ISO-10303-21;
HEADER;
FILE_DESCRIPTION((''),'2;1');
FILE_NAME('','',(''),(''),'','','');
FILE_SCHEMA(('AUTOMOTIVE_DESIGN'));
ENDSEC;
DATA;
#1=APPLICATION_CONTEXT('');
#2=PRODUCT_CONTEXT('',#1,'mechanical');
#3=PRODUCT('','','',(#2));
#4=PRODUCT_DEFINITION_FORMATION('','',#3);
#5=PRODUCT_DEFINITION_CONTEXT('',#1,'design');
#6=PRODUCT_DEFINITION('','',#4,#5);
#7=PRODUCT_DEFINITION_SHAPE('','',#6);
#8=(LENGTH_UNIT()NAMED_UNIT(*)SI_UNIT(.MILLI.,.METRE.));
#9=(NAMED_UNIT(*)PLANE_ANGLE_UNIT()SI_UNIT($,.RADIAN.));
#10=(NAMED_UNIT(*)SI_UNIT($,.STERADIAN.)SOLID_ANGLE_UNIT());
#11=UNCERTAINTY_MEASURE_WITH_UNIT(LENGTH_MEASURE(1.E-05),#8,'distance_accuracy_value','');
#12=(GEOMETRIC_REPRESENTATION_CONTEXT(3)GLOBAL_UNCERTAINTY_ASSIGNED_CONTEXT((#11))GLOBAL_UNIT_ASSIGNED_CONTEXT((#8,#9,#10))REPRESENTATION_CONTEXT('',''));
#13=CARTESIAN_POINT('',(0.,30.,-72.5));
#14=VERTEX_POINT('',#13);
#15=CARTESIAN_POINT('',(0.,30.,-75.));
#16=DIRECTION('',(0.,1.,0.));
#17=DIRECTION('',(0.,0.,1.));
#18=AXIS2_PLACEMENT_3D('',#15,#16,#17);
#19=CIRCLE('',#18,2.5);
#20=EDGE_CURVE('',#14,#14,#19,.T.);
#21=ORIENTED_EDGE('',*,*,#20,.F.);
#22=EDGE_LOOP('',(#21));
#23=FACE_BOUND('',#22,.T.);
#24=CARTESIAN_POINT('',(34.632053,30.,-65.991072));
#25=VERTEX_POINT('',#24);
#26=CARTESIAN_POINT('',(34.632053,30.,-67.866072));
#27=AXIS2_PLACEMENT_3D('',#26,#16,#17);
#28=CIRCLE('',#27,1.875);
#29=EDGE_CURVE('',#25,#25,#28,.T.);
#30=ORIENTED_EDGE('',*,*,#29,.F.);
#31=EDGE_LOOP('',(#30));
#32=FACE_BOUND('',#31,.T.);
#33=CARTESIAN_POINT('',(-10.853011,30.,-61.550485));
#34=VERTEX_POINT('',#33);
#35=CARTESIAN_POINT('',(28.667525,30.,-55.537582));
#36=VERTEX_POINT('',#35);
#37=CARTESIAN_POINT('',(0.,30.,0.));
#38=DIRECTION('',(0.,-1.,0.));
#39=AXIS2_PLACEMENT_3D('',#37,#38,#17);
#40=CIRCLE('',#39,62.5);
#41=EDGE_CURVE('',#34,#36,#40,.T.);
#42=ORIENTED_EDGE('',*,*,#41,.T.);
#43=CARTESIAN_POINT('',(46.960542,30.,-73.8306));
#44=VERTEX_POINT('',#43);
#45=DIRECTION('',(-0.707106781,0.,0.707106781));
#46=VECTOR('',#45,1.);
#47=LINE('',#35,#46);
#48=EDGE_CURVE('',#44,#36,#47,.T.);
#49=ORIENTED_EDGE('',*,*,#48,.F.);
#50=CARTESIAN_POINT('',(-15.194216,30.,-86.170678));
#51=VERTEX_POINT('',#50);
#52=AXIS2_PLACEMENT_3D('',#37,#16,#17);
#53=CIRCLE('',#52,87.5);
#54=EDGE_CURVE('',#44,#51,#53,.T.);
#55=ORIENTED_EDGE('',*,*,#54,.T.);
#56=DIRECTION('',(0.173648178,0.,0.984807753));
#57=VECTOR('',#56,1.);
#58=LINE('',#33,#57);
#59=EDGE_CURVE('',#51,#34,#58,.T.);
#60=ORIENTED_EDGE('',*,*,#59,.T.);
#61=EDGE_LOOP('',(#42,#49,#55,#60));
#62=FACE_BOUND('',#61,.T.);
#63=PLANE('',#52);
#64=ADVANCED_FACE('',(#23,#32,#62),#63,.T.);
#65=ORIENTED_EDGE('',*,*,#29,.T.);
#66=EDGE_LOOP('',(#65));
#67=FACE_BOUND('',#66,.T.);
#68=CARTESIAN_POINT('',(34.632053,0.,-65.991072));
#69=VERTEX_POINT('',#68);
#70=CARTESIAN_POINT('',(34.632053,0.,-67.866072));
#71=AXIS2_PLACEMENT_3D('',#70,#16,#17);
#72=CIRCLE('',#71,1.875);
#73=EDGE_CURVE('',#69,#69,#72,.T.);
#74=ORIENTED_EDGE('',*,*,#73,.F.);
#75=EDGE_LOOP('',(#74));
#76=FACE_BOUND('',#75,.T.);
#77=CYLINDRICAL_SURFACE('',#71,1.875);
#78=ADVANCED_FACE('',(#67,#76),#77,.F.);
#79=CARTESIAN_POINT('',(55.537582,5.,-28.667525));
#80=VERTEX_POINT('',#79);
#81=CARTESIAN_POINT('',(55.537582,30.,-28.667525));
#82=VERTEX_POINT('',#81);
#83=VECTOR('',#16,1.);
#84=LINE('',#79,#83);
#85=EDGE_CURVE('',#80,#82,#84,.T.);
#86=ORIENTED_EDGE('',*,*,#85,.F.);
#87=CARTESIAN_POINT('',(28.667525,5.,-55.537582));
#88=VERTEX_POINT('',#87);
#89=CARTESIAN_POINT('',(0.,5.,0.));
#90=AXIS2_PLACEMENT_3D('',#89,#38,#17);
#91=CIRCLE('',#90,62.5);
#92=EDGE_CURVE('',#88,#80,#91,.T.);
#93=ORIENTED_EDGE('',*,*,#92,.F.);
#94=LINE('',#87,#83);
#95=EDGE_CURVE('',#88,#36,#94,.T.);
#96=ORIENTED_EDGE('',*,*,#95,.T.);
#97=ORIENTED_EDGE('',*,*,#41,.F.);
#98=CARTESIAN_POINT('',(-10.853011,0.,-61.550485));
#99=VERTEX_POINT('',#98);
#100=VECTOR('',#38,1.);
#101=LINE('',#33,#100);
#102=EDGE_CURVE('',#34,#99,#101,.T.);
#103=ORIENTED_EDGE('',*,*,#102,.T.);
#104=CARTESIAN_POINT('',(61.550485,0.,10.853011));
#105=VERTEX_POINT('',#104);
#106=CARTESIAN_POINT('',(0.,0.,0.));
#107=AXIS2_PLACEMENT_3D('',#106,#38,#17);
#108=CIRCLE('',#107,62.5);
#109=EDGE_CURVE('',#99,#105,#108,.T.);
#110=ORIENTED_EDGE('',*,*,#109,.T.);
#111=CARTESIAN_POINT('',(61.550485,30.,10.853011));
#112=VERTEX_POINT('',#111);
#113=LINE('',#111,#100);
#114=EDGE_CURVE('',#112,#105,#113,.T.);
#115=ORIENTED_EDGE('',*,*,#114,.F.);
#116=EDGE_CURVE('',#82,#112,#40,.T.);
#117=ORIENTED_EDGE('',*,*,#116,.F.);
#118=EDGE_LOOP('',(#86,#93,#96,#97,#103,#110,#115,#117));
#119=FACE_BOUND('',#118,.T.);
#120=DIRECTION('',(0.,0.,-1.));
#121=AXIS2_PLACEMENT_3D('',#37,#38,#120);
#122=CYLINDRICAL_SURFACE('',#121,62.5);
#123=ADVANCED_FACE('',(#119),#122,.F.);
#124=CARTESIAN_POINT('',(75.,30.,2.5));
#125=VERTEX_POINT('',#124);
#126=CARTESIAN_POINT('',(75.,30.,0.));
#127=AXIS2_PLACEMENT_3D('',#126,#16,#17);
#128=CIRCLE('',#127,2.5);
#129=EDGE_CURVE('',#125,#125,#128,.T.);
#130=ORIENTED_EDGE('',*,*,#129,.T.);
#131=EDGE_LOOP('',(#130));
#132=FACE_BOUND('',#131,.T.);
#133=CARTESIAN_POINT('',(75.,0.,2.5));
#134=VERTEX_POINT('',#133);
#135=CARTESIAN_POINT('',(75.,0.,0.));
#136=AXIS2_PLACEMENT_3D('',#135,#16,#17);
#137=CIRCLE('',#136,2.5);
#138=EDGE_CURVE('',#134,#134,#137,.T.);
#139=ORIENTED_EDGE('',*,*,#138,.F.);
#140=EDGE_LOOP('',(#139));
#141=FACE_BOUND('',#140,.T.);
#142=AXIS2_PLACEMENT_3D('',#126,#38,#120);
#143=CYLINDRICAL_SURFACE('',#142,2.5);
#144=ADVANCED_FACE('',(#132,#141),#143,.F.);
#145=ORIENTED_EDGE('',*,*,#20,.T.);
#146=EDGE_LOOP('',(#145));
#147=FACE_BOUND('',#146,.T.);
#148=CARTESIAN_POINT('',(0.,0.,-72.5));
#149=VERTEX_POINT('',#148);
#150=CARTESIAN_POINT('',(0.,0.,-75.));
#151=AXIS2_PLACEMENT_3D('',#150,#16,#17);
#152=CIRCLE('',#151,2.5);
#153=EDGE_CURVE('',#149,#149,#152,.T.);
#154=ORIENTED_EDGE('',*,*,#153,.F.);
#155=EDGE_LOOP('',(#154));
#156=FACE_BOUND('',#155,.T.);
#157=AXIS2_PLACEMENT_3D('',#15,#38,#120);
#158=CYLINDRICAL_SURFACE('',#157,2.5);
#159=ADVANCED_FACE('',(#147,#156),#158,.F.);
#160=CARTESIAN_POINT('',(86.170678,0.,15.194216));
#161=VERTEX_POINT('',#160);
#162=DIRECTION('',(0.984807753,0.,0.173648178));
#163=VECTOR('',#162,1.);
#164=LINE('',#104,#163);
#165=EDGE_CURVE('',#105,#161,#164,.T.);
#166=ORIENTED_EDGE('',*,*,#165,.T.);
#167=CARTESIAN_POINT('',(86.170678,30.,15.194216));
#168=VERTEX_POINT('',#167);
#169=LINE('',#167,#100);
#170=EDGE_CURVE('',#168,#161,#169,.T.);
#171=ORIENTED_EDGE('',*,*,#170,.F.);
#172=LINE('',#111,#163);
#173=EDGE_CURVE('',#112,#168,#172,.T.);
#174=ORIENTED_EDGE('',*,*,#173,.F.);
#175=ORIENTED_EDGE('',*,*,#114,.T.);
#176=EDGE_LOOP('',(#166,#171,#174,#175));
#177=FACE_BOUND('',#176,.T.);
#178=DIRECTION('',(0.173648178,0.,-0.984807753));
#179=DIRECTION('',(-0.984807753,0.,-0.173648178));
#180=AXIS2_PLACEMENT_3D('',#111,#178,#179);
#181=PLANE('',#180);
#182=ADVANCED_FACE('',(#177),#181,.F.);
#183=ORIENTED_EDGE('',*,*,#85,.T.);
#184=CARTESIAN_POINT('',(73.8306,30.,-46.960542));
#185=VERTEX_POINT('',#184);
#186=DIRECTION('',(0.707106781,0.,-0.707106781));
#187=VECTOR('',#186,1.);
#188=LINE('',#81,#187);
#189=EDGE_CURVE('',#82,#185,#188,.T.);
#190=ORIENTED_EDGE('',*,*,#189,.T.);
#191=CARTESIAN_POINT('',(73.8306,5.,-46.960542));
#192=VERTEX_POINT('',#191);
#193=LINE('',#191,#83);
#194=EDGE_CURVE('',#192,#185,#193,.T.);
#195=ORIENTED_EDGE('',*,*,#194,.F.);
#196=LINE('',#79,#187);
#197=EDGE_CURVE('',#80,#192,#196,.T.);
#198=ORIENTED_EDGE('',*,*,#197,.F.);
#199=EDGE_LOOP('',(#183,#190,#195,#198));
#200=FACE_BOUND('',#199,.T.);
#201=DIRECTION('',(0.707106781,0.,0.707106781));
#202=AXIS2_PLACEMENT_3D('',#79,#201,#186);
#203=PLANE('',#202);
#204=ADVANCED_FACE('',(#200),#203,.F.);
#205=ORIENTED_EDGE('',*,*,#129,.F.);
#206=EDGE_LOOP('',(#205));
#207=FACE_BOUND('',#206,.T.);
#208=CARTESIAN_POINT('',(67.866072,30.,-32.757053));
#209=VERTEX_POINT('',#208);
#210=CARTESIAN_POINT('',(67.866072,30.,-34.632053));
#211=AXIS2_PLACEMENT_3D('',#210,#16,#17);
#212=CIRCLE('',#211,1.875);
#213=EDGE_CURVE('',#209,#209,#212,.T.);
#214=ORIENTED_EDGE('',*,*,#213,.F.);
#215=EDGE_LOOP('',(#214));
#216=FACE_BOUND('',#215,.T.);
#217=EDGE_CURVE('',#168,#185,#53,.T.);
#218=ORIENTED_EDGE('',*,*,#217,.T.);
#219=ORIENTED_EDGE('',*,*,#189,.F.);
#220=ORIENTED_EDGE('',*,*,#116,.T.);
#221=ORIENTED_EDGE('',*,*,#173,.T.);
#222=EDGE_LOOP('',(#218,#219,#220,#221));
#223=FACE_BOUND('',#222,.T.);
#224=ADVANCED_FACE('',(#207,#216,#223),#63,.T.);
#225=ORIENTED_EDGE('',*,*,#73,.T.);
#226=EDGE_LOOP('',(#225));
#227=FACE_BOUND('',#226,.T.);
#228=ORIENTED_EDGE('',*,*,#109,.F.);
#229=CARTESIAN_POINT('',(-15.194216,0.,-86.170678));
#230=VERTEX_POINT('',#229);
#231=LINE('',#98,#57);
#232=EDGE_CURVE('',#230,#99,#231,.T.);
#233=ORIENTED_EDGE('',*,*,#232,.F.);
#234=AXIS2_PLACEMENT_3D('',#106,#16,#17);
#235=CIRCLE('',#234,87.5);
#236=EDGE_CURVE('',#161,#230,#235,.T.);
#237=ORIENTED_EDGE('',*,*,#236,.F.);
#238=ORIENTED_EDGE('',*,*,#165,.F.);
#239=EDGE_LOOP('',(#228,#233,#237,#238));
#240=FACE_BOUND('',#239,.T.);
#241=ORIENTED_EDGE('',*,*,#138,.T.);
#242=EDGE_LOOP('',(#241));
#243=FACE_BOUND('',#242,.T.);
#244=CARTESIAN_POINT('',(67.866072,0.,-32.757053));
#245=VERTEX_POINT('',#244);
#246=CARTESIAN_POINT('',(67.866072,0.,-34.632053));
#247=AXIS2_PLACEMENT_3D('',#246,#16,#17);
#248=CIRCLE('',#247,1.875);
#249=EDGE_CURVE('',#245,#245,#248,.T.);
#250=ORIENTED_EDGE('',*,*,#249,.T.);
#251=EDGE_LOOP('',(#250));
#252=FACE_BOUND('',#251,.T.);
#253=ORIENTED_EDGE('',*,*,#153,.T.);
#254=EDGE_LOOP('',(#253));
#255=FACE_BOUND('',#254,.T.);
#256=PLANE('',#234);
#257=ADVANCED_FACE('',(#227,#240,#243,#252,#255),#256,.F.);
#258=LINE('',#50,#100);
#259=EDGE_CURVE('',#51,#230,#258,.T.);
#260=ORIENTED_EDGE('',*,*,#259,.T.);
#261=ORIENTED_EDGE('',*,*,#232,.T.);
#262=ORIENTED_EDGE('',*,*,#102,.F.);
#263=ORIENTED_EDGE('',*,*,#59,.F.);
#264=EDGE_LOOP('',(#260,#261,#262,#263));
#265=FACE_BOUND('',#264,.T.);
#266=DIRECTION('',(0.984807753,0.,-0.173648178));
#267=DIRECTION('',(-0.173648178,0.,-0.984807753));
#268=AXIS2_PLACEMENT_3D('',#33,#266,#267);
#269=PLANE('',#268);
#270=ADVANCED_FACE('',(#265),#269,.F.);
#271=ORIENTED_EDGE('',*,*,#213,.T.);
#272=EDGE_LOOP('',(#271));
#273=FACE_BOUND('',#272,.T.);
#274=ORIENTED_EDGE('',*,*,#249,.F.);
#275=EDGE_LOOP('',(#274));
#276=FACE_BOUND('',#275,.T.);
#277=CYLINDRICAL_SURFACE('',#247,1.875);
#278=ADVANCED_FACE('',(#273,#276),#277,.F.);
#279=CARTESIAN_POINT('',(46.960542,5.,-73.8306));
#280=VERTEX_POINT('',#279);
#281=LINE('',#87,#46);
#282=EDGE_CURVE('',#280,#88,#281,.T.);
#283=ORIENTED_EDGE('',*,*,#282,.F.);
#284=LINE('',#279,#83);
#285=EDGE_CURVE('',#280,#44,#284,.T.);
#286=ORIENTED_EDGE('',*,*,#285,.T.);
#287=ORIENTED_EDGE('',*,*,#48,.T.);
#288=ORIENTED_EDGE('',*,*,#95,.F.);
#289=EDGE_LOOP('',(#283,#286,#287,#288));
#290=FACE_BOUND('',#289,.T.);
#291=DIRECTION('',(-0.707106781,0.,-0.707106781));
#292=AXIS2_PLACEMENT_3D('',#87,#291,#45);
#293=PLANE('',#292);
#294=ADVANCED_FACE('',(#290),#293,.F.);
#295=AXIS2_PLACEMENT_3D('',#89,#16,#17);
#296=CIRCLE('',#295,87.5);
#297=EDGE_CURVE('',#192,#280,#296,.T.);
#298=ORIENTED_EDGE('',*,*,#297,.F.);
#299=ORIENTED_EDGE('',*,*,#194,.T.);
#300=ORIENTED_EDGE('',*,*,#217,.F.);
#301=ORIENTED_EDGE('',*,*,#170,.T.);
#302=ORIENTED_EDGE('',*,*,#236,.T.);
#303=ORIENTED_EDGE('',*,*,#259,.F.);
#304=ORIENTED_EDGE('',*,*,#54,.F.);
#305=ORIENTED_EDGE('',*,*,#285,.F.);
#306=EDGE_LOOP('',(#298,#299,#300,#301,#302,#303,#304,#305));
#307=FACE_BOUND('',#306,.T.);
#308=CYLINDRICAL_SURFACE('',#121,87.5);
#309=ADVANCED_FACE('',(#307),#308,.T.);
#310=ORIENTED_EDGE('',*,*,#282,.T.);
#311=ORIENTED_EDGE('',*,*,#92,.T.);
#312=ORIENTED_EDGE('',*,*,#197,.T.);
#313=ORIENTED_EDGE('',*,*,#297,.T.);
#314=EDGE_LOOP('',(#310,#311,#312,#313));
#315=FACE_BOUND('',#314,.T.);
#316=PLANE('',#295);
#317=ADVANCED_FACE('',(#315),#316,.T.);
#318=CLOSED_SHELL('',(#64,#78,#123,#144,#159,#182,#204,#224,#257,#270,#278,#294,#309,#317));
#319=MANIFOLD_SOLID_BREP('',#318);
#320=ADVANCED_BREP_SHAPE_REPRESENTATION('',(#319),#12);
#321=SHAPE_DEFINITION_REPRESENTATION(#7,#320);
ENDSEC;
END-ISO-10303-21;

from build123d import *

# Parameters (mm, degrees)
SKETCH1_R           = 2.5
BOSS_EXTRUDE1_DEPTH = 30
CUT_EXTRUDE1_START  = -25
CUT_EXTRUDE1_DEPTH  = 25
SKETCH3_R           = 1.875
CUT_EXTRUDE2_DEPTH  = 128.328315782


with BuildPart() as part:
    # Sketch1 → Boss-Extrude1 (new body)
    with BuildSketch(Plane(origin=(0, 0, 0), x_dir=(1, 0, 0), z_dir=(0, 1, 0))):
        with BuildLine():
            Line((-10.853011104, 61.550484563), (-15.194215546, 86.170678389))
            ThreePointArc((-15.194215546, 86.170678389), (61.871843354, 61.871843354), (86.170678389, -15.194215546))
            Line((86.170678389, -15.194215546), (61.550484563, -10.853011104))
            ThreePointArc((61.550484563, -10.853011104), (44.194173824, 44.194173824), (-10.853011104, 61.550484563))
        make_face()
        with Locations(Location((75, 0, 0), (0, 0, 270))):
            Circle(SKETCH1_R, mode=Mode.SUBTRACT)
        with Locations(Location((0, 75, 0), (0, 0, 270))):
            Circle(SKETCH1_R, mode=Mode.SUBTRACT)
    extrude(amount=BOSS_EXTRUDE1_DEPTH)

    # Sketch2 → Cut-Extrude1 (cut)
    with BuildSketch(Plane(origin=(0, 30, 0), x_dir=(1, 0, 0), z_dir=(0, 1, 0)).offset(CUT_EXTRUDE1_START)):
        with BuildLine():
            Line((28.667524524, 55.537582209), (46.960542187, 73.830599872))
            ThreePointArc((46.960542187, 73.830599872), (61.871843354, 61.871843354), (73.830599872, 46.960542187))
            Line((73.830599872, 46.960542187), (55.537582209, 28.667524524))
            ThreePointArc((55.537582209, 28.667524524), (44.194173824, 44.194173824), (28.667524524, 55.537582209))
        make_face()
    extrude(amount=CUT_EXTRUDE1_DEPTH, mode=Mode.SUBTRACT)

    # Sketch3 → Cut-Extrude2 (cut, through all)
    with BuildSketch(Plane(origin=(0, 30, 0), x_dir=(1, 0, 0), z_dir=(0, 1, 0))):
        with Locations(Location((67.866071556, 34.63205284, 0), (0, 0, 270))):
            Circle(SKETCH3_R)
        with Locations(Location((34.63205284, 67.866071556, 0), (0, 0, 270))):
            Circle(SKETCH3_R)
    extrude(amount=-CUT_EXTRUDE2_DEPTH, mode=Mode.SUBTRACT)


solid = part.part
